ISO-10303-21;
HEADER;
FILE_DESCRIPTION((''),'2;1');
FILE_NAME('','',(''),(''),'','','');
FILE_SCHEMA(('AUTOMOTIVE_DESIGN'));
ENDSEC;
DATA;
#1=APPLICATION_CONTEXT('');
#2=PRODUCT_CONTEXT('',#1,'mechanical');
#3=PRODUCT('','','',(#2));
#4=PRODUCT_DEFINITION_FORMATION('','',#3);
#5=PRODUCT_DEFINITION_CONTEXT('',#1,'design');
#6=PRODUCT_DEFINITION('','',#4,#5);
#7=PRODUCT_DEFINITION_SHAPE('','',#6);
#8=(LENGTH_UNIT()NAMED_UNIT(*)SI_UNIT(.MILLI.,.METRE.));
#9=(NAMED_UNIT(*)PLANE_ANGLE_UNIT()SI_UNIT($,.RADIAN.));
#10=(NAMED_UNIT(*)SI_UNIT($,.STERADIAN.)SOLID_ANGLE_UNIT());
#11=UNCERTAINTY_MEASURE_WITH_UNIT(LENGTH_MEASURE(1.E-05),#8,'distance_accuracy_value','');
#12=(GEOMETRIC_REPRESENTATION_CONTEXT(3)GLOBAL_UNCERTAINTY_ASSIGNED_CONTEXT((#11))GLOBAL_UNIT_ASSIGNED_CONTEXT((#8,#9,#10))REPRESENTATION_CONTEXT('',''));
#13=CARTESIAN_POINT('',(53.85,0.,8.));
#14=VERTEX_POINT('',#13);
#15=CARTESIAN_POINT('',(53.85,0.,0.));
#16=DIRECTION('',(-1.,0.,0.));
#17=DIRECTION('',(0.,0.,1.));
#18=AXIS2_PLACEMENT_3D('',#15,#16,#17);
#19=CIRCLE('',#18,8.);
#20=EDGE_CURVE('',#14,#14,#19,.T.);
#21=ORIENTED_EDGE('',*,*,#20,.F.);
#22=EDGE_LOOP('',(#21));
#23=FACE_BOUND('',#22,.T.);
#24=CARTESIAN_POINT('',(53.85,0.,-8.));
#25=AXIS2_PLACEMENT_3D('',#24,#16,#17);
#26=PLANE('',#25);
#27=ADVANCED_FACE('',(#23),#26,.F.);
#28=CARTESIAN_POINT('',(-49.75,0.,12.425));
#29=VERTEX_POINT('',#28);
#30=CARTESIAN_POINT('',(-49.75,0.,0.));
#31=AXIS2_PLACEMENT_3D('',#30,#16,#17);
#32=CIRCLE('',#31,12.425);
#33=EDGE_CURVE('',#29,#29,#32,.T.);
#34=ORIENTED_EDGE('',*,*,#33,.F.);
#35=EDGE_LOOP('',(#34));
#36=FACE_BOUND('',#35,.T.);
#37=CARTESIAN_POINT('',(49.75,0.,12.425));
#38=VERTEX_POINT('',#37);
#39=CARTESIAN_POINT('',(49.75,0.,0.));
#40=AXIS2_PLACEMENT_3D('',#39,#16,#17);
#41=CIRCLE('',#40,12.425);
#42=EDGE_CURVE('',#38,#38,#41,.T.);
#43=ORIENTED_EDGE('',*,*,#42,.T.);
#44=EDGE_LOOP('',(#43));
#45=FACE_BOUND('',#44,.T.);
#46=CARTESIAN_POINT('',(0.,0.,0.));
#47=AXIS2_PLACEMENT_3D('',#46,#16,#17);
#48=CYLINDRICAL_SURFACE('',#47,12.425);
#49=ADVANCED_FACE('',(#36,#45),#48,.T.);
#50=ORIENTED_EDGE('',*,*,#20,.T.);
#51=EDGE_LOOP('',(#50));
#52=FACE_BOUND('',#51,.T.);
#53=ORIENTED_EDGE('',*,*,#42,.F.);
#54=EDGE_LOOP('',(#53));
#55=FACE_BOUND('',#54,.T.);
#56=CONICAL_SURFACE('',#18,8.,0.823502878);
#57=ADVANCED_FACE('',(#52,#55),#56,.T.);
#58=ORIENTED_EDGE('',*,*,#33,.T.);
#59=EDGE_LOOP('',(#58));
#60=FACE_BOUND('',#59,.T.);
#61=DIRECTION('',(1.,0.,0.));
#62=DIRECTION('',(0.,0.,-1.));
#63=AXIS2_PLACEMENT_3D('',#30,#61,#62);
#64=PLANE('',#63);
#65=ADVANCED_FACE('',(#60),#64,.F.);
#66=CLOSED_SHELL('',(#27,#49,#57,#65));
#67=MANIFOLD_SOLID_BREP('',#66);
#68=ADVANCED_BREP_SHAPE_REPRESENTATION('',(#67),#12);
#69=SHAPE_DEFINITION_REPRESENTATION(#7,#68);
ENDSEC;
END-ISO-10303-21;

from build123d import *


with BuildPart() as part:
    # Sketch1 → Revolve1 (revolve)
    with BuildSketch(Plane(origin=(0, 0, 0), x_dir=(1, 0, 0), z_dir=(0, 1, 0))):
        Polygon((-49.75, 0), (-49.75, 12.425), (49.75, 12.425), (53.85, 8), (53.85, 0), align=None)
    revolve(axis=Axis((0, 0, 0), (1, 0, 0)))


solid = part.part
